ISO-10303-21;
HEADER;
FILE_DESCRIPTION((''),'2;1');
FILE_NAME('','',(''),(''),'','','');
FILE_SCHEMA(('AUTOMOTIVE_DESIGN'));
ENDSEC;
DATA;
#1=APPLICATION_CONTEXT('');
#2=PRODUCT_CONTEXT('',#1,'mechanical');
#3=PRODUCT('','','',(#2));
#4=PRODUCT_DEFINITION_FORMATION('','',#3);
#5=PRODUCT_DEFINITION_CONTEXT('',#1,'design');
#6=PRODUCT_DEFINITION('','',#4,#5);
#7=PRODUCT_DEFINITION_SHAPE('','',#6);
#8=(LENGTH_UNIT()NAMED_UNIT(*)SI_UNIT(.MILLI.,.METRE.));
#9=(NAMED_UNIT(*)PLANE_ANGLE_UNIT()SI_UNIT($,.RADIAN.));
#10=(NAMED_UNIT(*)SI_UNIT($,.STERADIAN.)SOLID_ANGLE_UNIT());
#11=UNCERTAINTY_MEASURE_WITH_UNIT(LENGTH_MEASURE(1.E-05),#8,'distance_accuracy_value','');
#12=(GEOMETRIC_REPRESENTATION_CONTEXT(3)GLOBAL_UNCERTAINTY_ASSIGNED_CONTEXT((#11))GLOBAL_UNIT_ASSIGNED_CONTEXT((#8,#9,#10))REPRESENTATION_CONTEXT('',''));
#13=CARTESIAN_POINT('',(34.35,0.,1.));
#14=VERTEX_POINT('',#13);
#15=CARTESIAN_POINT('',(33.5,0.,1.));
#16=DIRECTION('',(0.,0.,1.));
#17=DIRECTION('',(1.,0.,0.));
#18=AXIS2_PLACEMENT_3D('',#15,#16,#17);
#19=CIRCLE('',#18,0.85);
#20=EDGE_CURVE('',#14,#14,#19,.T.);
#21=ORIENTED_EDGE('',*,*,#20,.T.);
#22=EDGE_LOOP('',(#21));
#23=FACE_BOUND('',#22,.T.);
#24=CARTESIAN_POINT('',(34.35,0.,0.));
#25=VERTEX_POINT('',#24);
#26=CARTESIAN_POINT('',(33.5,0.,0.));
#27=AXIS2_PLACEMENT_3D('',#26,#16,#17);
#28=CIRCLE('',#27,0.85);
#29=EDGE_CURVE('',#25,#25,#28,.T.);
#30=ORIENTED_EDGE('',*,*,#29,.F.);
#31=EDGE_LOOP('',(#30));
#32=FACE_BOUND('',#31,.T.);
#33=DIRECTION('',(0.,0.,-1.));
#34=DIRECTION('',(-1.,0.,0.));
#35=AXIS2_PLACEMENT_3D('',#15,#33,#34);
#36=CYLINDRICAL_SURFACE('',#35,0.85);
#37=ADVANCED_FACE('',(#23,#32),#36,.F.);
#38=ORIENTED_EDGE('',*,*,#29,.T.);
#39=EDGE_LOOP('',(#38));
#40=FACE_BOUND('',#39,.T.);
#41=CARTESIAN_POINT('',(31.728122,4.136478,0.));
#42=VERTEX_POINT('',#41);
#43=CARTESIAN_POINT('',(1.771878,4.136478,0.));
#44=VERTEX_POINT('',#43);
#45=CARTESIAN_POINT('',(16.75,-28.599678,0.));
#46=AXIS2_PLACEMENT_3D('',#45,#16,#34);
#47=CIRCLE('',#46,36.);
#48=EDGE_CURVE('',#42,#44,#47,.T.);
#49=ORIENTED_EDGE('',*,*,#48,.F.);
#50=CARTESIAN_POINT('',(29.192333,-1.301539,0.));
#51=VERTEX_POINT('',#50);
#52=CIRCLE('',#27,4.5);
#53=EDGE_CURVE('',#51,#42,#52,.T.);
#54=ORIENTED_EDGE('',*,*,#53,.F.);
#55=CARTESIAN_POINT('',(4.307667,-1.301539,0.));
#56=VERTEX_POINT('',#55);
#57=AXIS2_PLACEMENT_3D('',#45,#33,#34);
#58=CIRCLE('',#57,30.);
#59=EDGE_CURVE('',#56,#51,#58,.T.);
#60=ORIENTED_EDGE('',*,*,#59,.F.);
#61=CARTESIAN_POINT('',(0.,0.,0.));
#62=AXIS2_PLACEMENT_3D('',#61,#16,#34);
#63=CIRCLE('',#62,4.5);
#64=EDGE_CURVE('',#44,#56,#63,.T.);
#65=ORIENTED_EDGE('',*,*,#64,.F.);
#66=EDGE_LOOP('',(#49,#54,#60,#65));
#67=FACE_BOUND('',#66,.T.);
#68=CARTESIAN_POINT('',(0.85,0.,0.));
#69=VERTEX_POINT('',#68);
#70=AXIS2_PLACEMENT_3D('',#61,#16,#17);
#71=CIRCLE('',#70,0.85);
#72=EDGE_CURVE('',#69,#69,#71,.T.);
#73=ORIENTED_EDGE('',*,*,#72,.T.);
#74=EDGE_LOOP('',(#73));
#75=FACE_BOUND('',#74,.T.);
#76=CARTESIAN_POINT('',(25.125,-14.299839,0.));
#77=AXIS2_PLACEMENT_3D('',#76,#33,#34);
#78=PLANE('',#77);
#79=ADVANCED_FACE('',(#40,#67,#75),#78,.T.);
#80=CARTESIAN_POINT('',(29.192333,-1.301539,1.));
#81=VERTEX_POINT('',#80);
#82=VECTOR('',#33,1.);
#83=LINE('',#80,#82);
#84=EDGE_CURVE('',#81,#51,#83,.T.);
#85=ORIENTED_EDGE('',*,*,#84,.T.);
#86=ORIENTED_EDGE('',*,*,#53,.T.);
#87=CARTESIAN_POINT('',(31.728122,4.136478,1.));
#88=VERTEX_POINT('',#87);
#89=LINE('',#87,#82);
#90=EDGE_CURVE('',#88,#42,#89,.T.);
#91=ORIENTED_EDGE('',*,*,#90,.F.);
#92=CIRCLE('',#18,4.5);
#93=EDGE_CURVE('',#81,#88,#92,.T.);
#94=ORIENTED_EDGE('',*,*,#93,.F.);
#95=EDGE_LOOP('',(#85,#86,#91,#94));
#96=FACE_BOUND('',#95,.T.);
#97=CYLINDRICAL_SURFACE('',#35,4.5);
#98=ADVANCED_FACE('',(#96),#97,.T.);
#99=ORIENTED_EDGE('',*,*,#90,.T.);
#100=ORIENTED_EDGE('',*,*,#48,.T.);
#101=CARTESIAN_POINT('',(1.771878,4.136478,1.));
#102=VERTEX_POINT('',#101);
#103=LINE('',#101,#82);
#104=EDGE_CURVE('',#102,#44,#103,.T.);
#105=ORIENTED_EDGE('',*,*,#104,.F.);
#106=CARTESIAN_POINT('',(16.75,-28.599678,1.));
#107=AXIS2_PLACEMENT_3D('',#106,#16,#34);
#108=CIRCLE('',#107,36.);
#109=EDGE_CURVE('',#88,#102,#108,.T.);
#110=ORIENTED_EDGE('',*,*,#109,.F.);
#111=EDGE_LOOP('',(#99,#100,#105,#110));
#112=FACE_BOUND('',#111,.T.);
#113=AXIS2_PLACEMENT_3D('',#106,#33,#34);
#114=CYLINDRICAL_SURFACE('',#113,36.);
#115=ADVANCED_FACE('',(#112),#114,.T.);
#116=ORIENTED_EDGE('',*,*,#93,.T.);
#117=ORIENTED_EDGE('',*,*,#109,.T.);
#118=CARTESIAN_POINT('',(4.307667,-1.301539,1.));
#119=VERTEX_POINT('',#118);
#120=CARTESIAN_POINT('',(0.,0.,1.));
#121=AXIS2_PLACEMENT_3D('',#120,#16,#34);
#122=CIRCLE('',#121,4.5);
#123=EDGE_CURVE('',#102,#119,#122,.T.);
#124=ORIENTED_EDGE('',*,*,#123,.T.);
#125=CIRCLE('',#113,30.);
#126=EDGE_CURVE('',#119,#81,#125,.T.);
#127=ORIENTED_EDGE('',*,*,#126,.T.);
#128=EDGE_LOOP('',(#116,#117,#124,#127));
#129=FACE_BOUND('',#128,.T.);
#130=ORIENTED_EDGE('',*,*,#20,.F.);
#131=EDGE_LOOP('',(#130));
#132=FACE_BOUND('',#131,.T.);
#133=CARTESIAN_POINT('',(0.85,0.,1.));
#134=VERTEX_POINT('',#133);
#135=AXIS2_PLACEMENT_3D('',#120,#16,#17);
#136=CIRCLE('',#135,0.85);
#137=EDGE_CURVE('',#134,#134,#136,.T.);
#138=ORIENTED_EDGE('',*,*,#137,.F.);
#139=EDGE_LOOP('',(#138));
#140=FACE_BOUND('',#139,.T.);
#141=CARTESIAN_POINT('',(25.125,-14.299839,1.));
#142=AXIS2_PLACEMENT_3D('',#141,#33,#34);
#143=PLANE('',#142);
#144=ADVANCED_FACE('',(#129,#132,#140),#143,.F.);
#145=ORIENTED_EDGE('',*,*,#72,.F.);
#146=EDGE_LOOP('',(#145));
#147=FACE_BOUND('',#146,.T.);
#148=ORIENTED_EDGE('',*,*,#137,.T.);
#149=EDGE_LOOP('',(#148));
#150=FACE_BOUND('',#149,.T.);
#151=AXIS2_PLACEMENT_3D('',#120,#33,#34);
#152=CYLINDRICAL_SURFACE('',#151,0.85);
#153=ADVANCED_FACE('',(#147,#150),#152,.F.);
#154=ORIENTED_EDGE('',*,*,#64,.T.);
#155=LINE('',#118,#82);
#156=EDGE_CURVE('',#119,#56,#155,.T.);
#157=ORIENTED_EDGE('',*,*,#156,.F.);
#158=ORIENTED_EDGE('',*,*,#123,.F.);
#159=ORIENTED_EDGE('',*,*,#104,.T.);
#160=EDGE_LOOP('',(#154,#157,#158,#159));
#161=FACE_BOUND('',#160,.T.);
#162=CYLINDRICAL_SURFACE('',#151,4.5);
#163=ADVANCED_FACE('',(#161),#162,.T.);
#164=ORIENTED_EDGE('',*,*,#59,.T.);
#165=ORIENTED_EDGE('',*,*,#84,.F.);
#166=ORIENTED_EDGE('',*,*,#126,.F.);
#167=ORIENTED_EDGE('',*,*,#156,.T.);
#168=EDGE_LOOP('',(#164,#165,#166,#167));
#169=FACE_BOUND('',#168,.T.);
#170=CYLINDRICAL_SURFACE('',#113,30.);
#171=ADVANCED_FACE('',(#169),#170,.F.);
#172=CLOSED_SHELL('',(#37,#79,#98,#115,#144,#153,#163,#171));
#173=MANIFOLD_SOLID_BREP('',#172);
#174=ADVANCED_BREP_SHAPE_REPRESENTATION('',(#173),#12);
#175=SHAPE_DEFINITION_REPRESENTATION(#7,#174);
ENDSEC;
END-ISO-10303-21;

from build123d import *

# Parameters (mm, degrees)
SKETCH_1_R      = 0.85
EXTRUDE_1_DEPTH = 1


with BuildPart() as part:
    # Эскиз1 → Бобышка-Вытянуть1 (new body)
    with BuildSketch(Plane.XY):
        with BuildLine():
            ThreePointArc((4.307667052, -1.301539308), (-4.078385042, -1.901782178), (1.771878053, 4.136477749))
            ThreePointArc((1.771878053, 4.136477749), (16.75, 7.400322462), (31.728121947, 4.136477749))
            ThreePointArc((31.728121947, 4.136477749), (37.578385042, -1.901782178), (29.192332948, -1.301539308))
            ThreePointArc((29.192332948, -1.301539308), (16.75, 1.400322462), (4.307667052, -1.301539308))
        make_face()
        Circle(SKETCH_1_R, mode=Mode.SUBTRACT)
        with Locations((33.5, 0)):
            Circle(SKETCH_1_R, mode=Mode.SUBTRACT)
    extrude(amount=EXTRUDE_1_DEPTH)


solid = part.part
